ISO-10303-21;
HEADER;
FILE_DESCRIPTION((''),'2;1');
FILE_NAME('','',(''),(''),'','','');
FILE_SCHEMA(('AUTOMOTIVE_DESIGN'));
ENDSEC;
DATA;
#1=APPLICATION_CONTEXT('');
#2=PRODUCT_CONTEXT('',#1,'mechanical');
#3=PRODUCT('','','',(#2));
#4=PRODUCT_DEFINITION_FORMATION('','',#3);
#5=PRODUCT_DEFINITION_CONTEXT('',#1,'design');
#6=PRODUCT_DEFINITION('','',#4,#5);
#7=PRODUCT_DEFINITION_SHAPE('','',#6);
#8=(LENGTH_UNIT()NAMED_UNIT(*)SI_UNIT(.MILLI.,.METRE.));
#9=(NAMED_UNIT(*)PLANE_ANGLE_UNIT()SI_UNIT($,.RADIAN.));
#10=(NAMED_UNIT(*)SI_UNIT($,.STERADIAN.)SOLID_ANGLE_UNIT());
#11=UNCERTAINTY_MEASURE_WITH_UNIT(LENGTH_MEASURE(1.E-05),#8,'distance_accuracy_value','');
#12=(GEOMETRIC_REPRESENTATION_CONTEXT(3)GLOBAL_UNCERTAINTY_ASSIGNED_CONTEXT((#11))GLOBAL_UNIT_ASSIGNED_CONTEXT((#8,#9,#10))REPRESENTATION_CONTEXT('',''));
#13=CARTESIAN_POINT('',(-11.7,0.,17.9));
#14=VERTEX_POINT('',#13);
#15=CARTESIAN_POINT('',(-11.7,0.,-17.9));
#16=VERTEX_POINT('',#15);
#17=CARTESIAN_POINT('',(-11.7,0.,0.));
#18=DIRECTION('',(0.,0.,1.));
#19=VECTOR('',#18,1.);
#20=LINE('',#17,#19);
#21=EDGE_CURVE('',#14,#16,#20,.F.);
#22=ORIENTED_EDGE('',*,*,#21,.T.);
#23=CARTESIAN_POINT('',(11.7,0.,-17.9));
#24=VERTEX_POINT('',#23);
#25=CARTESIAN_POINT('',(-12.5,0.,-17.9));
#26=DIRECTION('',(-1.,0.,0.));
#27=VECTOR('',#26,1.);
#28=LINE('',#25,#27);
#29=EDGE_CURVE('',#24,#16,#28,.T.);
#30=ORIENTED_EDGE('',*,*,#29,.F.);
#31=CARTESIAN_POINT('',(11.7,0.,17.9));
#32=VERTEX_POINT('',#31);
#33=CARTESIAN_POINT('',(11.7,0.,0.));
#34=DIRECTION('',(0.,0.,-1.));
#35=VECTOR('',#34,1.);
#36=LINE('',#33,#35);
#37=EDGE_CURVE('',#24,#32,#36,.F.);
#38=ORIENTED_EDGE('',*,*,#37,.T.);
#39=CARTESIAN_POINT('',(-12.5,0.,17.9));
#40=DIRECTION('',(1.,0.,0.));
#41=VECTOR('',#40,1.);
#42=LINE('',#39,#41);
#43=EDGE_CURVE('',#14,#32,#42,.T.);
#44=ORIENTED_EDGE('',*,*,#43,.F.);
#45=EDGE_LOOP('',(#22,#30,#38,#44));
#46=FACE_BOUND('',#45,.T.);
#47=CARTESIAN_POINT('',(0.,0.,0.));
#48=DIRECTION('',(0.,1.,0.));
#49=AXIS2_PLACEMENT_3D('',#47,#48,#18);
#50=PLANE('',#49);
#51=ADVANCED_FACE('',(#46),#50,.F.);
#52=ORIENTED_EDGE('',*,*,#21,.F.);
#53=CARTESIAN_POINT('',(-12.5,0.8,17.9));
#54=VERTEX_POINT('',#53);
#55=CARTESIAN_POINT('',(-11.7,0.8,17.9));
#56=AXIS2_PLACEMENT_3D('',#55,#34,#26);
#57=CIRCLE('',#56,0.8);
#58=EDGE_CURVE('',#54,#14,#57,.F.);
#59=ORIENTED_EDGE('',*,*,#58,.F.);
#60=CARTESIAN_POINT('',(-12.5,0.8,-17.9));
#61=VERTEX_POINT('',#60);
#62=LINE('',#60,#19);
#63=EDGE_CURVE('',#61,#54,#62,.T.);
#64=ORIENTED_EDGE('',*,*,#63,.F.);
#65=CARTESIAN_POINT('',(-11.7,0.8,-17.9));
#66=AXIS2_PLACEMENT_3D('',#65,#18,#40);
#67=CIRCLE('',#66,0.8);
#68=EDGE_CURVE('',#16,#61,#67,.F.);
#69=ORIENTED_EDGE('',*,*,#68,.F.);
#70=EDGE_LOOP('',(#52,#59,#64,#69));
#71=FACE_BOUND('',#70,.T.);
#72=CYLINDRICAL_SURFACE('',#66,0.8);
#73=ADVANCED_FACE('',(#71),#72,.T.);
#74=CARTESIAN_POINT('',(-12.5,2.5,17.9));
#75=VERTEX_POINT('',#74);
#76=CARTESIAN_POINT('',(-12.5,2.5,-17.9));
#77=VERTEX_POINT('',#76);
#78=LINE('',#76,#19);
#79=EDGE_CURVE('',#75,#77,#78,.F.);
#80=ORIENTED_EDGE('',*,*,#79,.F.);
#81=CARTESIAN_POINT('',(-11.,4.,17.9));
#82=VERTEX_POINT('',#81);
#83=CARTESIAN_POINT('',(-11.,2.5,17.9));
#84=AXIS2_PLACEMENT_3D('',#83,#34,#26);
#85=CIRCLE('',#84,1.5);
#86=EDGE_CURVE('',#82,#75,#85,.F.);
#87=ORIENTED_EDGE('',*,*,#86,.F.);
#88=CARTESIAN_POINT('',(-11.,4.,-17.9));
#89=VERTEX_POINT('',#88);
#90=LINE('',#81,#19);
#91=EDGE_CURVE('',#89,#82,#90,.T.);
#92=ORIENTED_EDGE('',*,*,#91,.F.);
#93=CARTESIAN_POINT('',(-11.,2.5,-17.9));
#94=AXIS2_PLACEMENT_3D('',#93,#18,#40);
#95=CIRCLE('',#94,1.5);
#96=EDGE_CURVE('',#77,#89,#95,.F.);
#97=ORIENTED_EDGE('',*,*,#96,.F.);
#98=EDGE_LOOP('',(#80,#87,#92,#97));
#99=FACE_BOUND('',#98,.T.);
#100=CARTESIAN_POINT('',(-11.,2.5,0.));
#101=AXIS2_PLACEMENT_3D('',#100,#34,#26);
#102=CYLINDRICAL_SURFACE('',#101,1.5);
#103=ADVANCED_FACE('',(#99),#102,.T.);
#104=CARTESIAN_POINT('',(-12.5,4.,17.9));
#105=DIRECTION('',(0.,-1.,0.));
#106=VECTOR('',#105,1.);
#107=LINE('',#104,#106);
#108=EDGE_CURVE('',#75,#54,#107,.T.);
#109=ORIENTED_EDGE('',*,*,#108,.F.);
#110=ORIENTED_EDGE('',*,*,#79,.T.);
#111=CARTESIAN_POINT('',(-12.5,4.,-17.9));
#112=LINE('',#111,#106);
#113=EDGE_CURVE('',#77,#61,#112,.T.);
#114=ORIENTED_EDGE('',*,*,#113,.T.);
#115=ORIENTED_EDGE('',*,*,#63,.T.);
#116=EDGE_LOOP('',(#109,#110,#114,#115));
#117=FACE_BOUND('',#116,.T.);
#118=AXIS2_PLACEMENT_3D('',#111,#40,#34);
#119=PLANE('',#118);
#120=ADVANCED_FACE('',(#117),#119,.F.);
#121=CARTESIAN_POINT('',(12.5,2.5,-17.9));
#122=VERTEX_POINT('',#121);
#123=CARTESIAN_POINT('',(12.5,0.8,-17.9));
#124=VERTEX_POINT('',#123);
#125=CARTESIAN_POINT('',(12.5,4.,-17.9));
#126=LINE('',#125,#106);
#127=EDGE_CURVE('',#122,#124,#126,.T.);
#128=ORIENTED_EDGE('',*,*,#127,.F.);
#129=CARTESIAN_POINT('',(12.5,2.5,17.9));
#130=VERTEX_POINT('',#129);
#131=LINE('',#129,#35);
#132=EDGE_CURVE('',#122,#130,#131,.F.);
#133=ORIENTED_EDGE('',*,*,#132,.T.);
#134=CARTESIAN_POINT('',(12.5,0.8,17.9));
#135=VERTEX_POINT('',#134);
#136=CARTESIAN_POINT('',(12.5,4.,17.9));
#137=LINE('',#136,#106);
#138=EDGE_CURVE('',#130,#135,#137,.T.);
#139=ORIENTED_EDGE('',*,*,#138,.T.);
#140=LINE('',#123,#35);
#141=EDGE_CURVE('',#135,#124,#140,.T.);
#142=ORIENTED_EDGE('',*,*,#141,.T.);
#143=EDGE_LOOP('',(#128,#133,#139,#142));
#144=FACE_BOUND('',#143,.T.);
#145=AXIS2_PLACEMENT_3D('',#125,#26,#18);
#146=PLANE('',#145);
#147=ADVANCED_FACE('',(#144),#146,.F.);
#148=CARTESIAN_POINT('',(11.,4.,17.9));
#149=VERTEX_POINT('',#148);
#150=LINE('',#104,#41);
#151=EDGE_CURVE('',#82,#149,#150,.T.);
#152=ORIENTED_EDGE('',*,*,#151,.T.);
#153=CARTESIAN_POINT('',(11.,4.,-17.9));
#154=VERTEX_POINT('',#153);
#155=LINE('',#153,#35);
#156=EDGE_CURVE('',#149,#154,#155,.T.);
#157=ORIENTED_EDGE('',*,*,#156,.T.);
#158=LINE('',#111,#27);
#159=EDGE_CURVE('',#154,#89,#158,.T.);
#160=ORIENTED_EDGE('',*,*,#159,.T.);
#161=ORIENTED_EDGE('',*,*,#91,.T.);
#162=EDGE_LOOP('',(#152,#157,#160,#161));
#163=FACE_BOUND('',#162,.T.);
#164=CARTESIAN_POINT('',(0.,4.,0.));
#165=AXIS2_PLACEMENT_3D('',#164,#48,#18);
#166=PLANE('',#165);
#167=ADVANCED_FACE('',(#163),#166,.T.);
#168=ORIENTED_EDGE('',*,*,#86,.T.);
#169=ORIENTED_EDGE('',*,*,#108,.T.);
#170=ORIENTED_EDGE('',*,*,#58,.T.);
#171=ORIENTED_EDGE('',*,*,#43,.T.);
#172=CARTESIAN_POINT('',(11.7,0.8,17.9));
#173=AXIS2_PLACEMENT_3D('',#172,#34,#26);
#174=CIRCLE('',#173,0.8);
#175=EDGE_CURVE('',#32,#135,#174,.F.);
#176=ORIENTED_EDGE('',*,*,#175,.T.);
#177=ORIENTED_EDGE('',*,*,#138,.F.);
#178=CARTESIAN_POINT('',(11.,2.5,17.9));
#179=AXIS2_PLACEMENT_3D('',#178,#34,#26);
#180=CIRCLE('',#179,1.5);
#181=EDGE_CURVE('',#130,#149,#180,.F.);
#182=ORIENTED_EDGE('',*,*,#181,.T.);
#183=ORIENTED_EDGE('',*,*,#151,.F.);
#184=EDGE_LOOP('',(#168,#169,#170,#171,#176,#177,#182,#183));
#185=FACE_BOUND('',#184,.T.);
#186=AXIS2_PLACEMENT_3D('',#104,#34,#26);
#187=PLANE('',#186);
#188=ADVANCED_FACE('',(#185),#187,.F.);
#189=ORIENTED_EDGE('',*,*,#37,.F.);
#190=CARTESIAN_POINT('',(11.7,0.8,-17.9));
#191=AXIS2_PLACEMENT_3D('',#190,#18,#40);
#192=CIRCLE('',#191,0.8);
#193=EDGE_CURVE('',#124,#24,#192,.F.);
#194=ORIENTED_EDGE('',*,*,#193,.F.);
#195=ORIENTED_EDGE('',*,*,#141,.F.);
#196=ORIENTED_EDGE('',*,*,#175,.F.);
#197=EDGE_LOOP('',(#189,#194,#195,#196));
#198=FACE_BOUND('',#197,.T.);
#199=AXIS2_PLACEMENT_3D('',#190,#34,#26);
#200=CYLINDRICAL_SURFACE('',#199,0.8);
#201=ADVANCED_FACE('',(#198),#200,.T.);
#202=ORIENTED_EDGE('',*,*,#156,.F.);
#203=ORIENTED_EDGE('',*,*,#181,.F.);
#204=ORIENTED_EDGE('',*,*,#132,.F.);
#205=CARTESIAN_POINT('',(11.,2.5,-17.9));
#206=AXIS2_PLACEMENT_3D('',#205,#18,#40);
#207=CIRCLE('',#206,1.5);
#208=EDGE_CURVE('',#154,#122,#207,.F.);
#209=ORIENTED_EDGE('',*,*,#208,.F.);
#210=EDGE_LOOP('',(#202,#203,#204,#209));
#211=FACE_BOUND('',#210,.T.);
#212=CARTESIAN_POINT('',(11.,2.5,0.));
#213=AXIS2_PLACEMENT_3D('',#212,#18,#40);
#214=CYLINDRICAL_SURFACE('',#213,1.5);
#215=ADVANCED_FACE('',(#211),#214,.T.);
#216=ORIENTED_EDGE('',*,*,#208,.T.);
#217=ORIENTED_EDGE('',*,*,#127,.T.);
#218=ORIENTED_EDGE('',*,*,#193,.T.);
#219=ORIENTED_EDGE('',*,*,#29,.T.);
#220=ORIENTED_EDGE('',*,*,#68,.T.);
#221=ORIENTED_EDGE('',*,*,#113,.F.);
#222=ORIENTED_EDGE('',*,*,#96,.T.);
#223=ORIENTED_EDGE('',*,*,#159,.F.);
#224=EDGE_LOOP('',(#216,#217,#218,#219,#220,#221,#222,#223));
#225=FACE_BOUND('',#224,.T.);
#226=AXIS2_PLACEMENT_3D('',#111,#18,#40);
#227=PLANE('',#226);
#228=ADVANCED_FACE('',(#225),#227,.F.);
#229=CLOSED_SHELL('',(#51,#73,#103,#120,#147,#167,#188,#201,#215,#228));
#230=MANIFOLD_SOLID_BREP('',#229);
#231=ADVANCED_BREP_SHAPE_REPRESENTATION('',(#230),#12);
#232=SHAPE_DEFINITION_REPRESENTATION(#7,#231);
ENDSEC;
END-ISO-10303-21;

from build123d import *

# Parameters (mm, degrees)
SKETCH1_W           = 25
SKETCH1_H           = 35.8
BOSS_EXTRUDE1_DEPTH = 4
FILLET1_R           = 1.5
FILLET2_R           = 0.8


with BuildPart() as part:
    # Sketch1 → Boss-Extrude1 (new body)
    with BuildSketch(Plane(origin=(0, 0, 0), x_dir=(1, 0, 0), z_dir=(0, 1, 0))):
        Rectangle(SKETCH1_W, SKETCH1_H)
    extrude(amount=BOSS_EXTRUDE1_DEPTH)

    # Fillet1
    fillet1_edges = [part.edges().sort_by_distance(p)[0] for p in [
        (-12.5, 4, 0),
        (12.5, 4, 0),
    ]]
    fillet(fillet1_edges, radius=FILLET1_R)

    # Fillet2
    fillet2_edges = [part.edges().sort_by_distance(p)[0] for p in [
        (-12.5, 0, 0),
        (12.5, 0, 0),
    ]]
    fillet(fillet2_edges, radius=FILLET2_R)


solid = part.part
